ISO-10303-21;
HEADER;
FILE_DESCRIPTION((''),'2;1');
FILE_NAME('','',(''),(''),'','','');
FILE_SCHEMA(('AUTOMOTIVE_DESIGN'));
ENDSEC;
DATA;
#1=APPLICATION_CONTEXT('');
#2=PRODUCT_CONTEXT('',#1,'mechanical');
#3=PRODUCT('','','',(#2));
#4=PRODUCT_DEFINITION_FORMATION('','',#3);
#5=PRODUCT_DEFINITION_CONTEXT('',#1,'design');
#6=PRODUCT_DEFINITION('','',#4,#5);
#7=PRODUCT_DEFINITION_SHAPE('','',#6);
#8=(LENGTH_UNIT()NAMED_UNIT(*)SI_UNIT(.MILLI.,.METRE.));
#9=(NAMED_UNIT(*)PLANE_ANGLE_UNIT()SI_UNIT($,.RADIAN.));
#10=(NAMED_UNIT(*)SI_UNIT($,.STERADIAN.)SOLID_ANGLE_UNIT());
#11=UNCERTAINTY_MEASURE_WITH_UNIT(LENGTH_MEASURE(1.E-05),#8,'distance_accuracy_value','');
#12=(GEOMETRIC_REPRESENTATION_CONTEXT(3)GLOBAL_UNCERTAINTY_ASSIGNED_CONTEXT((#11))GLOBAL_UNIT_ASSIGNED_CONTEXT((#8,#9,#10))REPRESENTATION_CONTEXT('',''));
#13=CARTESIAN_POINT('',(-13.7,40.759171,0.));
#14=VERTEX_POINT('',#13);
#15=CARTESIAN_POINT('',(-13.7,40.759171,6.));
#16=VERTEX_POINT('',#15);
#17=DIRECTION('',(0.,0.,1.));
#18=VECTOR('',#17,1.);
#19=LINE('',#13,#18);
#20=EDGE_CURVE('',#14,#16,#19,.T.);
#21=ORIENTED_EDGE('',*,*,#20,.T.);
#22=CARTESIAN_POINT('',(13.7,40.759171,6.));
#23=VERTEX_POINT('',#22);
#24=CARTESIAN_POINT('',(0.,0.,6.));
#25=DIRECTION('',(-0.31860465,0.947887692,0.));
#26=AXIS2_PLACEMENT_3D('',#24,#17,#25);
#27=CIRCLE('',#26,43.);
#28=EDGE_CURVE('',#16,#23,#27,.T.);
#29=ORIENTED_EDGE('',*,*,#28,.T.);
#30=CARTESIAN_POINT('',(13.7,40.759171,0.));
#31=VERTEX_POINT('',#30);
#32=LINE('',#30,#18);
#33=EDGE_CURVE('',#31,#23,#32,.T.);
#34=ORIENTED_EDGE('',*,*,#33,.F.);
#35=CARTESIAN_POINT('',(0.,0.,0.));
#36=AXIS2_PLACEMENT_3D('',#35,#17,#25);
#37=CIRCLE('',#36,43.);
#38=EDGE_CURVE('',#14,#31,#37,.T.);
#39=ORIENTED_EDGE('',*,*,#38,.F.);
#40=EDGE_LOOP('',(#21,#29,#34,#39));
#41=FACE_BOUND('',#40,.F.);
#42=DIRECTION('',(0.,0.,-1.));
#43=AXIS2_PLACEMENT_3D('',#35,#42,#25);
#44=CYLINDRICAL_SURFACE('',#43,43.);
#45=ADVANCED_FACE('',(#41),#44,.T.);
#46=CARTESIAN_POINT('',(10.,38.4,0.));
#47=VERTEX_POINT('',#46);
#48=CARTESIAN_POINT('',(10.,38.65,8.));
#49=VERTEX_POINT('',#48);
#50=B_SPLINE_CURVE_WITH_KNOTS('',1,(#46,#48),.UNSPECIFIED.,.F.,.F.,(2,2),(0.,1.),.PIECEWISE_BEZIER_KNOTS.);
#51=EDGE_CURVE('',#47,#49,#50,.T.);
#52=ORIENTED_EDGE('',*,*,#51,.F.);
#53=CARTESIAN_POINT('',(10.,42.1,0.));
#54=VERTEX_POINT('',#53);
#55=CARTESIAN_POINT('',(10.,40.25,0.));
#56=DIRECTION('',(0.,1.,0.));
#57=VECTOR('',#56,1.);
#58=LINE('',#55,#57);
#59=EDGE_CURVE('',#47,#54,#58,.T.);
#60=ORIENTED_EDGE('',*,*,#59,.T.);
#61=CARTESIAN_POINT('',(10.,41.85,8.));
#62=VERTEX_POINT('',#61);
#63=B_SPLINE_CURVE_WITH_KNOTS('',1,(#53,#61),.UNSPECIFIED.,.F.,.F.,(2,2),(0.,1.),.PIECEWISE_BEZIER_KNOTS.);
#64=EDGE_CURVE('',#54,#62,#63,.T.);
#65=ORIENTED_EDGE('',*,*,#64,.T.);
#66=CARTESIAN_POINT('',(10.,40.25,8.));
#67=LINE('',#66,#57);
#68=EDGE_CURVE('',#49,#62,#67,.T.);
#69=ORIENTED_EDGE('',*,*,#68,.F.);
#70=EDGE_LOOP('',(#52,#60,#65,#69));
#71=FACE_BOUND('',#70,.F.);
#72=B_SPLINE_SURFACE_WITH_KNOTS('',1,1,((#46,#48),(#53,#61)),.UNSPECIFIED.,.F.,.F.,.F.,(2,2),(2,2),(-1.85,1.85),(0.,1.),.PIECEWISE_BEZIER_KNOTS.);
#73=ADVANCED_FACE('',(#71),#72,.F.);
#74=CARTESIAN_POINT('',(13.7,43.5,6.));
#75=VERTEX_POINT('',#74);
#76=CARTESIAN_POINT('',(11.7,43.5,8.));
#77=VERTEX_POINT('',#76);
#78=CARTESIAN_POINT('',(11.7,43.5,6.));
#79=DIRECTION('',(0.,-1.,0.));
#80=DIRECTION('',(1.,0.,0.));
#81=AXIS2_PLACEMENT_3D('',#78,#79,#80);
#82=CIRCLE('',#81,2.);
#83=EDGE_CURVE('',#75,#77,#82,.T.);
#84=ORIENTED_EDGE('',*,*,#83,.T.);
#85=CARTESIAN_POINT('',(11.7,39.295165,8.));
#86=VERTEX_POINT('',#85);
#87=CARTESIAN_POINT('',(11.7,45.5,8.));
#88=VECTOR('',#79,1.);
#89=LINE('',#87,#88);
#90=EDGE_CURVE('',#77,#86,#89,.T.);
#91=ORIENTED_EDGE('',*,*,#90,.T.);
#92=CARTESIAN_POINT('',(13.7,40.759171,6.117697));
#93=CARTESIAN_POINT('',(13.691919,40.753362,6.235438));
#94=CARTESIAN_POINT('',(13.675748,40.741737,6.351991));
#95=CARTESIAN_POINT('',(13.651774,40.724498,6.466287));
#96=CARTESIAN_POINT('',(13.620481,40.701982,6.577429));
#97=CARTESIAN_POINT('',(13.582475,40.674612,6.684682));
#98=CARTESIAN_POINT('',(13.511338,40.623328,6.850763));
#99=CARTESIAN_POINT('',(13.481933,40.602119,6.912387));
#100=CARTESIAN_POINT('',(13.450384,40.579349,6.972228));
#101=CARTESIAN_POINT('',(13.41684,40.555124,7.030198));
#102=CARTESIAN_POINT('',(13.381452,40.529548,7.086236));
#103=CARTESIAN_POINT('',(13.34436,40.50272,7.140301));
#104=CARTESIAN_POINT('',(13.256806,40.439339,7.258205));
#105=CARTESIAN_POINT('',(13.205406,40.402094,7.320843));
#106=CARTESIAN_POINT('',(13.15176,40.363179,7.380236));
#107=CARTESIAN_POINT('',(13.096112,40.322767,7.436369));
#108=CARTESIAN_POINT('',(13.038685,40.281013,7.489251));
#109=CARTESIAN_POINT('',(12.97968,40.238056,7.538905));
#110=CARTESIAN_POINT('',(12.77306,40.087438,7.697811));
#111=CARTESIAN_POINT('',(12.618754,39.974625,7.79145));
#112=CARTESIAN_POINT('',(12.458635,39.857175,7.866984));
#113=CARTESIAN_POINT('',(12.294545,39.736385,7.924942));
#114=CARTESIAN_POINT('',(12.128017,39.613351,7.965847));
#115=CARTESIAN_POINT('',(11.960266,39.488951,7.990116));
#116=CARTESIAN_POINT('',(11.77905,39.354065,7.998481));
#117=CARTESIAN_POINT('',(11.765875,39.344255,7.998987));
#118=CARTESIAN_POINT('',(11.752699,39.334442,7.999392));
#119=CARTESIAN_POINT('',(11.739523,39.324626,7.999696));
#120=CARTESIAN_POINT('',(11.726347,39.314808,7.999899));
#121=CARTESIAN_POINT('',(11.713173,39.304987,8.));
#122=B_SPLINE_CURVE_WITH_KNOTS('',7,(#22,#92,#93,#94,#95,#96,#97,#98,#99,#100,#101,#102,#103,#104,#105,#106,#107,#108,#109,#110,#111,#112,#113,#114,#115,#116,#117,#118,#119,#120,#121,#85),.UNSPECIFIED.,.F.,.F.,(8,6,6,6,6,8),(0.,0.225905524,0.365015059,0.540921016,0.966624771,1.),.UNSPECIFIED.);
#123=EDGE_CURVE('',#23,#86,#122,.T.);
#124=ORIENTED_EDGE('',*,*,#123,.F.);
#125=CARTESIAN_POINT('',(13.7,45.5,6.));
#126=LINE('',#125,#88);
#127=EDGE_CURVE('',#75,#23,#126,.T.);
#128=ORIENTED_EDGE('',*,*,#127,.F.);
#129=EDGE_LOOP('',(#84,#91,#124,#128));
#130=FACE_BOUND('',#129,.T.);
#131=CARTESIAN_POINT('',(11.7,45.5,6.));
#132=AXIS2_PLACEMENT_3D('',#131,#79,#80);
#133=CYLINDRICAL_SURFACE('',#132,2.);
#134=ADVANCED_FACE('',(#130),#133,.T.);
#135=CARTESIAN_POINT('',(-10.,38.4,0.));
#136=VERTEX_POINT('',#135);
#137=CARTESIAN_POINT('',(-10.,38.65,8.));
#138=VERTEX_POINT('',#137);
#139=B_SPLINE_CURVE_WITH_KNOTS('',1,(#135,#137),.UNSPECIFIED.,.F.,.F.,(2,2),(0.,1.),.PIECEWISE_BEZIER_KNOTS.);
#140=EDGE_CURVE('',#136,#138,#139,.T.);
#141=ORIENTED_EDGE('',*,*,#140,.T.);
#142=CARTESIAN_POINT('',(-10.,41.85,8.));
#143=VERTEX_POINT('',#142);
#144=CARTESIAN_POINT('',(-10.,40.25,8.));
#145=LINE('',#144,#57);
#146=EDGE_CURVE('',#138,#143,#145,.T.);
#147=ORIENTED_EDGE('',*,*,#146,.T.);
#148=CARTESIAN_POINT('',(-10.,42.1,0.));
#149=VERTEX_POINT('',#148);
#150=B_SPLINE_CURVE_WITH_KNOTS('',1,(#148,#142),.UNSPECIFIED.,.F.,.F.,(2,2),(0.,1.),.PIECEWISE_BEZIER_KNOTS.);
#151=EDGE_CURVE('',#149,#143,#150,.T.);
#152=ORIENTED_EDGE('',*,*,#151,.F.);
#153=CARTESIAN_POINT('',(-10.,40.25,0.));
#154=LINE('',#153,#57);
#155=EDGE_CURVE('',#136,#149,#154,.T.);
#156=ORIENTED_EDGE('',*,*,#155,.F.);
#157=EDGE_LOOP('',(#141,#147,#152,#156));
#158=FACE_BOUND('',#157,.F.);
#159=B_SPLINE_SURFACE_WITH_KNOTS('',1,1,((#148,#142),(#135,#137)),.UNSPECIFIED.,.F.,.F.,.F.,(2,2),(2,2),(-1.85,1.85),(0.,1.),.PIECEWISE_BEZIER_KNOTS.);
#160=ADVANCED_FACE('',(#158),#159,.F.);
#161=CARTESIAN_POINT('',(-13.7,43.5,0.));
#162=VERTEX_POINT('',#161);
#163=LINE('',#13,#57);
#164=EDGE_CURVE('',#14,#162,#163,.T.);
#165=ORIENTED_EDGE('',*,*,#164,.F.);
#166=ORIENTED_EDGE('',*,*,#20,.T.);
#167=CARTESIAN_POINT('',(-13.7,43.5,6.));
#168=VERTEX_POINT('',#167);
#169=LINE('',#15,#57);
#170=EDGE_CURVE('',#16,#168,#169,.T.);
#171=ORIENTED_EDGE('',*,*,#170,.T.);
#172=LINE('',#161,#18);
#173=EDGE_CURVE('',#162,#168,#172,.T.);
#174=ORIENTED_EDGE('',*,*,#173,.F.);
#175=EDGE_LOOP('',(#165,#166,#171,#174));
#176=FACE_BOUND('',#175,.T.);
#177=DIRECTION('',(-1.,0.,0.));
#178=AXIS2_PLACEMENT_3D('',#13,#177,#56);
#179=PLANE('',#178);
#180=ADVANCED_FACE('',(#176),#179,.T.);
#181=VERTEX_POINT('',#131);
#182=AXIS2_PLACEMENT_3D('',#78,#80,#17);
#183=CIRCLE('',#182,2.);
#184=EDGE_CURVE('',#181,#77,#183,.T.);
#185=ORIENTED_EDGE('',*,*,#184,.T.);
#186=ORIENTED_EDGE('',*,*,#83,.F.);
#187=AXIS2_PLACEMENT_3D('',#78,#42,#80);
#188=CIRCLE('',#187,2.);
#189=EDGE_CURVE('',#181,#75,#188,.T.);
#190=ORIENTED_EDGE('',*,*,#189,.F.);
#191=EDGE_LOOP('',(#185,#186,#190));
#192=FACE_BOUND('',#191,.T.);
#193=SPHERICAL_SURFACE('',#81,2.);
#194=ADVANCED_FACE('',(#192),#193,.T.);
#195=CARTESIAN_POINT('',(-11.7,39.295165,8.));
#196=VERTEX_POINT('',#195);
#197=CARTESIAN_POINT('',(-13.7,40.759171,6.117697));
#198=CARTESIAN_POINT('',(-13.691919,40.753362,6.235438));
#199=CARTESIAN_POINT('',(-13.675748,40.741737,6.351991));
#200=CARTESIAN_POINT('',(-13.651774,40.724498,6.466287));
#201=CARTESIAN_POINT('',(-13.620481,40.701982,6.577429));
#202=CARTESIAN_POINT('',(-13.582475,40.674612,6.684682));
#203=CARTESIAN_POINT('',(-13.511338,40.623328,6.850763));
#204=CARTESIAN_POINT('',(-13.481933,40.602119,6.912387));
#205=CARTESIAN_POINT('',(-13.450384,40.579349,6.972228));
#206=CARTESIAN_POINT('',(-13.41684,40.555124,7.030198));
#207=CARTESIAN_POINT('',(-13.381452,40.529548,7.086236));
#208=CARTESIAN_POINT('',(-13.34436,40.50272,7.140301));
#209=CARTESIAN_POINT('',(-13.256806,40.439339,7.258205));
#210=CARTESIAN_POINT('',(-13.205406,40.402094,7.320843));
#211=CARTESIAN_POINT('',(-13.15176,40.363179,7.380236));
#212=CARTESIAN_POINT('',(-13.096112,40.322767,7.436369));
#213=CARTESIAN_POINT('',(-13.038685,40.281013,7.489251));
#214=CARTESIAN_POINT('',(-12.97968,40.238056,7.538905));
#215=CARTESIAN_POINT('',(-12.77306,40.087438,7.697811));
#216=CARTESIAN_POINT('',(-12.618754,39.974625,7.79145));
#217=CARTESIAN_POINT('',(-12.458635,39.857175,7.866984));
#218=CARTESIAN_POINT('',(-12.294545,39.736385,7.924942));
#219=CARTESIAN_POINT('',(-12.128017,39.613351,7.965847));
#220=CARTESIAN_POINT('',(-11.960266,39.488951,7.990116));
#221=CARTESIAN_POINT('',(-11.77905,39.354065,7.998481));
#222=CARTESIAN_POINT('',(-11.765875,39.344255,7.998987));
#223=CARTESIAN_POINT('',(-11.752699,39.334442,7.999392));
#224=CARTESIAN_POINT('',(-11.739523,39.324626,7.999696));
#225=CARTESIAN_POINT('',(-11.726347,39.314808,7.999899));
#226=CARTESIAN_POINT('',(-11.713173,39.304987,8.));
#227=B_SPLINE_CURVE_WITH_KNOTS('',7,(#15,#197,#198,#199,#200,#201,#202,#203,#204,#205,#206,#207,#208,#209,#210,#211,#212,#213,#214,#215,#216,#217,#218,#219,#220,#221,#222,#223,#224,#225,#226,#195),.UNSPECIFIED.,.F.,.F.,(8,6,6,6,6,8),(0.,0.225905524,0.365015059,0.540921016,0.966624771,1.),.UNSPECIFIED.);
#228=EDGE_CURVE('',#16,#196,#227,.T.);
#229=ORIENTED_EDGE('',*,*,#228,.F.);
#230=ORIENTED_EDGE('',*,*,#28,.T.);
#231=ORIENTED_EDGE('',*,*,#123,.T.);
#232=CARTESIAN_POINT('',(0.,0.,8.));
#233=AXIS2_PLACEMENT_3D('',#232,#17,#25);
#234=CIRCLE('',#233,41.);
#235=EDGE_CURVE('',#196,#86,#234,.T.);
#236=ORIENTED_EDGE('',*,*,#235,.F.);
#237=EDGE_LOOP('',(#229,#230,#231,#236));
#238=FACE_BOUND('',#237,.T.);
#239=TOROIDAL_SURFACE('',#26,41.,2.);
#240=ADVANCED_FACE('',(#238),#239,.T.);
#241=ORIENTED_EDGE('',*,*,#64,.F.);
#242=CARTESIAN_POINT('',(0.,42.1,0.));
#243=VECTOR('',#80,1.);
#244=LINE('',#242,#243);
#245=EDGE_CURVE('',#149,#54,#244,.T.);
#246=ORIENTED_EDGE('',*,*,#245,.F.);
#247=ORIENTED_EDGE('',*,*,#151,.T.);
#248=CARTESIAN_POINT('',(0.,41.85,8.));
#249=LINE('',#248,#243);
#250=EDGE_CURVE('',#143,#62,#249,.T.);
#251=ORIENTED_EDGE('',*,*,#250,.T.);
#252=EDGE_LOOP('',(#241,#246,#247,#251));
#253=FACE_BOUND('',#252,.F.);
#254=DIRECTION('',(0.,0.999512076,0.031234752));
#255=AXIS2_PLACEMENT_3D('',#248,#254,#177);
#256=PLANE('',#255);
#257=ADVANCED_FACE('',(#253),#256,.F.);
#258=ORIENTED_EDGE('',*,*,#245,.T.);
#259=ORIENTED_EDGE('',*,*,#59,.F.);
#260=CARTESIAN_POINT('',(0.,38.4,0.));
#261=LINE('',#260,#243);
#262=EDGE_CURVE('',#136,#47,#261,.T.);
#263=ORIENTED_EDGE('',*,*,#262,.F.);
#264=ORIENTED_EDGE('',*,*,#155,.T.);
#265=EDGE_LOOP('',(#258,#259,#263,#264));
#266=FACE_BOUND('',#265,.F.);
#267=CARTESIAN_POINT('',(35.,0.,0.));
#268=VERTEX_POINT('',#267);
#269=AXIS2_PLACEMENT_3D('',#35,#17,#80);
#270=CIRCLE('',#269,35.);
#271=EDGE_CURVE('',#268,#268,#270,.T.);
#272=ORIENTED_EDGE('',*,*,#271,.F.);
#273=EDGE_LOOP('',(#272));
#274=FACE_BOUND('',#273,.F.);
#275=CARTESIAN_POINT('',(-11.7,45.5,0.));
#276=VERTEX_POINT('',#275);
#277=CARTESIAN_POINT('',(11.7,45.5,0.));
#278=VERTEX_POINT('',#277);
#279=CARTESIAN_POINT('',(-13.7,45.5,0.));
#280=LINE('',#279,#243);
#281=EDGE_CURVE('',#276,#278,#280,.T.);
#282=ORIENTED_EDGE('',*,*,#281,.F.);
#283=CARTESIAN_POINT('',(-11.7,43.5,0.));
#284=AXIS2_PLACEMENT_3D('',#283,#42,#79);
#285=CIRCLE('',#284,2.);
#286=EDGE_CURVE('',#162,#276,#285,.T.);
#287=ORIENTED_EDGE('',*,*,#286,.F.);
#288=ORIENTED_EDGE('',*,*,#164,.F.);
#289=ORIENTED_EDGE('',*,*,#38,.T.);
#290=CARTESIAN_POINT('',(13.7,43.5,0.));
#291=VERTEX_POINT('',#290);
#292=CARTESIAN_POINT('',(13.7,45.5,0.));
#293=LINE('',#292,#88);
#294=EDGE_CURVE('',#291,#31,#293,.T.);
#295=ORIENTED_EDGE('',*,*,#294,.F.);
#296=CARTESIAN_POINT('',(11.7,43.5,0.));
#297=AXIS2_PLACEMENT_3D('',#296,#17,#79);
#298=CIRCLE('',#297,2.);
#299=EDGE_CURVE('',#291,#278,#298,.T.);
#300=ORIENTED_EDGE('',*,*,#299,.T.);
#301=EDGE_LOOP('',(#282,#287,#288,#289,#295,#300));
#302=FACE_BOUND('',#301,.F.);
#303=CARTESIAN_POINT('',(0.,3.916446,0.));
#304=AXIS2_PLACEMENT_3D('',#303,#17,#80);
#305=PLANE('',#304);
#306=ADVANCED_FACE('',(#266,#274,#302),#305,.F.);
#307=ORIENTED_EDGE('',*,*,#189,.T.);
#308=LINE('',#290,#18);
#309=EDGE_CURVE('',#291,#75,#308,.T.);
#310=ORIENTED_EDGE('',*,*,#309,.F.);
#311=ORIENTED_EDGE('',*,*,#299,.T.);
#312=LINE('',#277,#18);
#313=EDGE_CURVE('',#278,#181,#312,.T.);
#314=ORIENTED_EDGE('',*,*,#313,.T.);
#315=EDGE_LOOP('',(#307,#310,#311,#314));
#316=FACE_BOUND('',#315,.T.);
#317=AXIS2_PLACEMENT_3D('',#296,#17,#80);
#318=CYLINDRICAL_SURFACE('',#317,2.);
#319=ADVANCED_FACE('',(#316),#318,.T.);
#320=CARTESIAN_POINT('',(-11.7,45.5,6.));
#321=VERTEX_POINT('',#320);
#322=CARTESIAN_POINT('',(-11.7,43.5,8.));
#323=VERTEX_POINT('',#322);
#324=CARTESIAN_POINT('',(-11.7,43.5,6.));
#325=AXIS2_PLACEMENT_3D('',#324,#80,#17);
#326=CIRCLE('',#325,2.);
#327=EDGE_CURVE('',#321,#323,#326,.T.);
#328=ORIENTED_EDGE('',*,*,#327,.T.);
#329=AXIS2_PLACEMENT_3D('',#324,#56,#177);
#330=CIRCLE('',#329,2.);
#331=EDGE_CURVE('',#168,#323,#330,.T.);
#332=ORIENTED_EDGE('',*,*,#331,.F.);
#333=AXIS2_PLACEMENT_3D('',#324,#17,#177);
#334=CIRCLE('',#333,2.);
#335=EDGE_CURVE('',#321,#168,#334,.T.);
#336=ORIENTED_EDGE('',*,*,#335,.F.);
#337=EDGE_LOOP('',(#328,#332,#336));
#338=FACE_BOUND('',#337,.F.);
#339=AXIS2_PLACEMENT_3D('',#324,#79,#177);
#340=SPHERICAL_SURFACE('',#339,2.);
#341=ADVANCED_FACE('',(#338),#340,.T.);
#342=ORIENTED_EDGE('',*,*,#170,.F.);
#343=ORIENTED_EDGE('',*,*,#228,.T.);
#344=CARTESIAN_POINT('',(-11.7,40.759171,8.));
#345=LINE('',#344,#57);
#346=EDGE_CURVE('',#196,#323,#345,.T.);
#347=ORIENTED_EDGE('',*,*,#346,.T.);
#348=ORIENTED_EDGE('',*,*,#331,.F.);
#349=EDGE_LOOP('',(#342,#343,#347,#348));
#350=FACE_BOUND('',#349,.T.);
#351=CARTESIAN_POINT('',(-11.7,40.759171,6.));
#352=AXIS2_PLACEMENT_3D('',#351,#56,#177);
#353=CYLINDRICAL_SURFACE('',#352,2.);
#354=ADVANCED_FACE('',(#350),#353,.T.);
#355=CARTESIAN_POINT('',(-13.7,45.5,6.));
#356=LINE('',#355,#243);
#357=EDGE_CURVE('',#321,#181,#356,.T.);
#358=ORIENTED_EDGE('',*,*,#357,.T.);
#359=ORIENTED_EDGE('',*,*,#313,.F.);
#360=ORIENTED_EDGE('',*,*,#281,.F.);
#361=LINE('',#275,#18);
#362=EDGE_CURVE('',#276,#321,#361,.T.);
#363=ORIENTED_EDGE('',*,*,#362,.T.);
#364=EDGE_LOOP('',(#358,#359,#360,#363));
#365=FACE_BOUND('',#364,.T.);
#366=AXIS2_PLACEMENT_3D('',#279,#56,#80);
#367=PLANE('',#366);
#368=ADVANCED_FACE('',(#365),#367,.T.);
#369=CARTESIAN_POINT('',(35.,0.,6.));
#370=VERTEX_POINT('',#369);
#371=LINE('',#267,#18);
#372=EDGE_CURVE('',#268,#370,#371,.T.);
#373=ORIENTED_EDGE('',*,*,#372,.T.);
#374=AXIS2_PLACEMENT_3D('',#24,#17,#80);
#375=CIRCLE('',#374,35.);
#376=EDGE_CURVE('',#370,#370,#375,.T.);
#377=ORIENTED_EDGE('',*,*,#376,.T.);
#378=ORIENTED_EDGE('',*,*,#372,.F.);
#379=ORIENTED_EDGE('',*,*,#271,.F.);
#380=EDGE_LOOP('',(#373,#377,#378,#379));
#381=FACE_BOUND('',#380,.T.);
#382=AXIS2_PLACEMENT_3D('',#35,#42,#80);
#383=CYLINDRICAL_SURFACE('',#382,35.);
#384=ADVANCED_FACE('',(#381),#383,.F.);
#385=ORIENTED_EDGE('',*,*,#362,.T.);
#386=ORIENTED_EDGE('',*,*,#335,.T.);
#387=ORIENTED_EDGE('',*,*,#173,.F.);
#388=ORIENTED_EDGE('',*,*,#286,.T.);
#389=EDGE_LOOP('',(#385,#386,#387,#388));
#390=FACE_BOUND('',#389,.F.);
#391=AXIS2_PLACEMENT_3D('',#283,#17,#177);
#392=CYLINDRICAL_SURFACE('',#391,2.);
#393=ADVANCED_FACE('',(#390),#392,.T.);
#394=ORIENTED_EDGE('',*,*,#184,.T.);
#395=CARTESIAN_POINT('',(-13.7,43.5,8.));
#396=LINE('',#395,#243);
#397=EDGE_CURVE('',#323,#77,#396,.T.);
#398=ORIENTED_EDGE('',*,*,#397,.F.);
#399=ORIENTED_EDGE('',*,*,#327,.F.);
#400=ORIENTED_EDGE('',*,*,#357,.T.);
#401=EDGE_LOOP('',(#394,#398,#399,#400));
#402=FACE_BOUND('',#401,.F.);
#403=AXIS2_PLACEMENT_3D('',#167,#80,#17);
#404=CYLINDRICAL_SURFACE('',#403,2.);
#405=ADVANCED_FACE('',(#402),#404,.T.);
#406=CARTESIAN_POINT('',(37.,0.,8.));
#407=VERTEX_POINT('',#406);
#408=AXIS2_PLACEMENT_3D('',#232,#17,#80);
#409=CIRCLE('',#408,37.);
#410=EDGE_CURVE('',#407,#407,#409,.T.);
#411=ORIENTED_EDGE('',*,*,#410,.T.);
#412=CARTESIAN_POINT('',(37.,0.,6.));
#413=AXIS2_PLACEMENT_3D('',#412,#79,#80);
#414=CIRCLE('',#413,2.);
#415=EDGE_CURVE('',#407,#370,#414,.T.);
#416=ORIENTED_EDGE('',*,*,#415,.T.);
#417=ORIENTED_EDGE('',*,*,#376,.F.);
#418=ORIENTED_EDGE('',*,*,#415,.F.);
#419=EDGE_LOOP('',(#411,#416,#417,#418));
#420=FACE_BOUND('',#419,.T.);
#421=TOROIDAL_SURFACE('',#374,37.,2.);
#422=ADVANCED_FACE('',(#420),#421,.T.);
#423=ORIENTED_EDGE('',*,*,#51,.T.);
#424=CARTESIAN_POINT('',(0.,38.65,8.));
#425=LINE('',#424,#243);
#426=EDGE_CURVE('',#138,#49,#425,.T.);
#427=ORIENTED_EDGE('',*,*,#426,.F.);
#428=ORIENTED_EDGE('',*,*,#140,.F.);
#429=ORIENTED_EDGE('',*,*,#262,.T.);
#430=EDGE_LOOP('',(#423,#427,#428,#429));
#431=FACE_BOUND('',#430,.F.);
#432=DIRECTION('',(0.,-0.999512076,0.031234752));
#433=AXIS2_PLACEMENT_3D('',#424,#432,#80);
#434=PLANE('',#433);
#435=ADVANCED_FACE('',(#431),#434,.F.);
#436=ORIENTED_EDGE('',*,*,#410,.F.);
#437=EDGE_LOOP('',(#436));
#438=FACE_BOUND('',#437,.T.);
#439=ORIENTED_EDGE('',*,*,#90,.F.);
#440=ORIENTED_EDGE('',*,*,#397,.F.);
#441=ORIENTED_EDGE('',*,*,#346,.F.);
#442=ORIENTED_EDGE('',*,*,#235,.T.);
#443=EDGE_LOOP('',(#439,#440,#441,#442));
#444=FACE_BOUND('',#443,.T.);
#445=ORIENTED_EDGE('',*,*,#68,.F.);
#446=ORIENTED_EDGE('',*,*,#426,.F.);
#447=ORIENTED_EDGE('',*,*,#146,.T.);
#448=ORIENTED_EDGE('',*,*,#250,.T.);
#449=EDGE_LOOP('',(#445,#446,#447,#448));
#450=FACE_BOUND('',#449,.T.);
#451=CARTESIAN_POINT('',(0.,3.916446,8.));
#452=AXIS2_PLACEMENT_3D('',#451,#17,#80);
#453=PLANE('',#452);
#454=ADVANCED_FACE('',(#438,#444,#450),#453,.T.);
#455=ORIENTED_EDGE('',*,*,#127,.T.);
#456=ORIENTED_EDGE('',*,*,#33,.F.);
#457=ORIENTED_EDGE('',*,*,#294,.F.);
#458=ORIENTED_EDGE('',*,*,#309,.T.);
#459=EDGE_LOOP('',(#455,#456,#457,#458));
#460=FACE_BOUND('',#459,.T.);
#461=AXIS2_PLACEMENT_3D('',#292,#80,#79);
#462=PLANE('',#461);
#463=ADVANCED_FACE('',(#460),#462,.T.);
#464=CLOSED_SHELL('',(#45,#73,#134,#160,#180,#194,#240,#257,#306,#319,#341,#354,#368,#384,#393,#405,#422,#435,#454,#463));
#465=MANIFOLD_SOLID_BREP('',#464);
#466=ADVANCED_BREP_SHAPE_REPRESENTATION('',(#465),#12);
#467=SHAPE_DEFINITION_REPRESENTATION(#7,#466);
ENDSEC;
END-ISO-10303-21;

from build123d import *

# Parameters (mm, degrees)
SKETCH_R    = 35
PAD_DEPTH   = 8
SKETCH001_W = 20
SKETCH001_H = 3.7
SKETCH002_W = 20
SKETCH002_H = 3.2
FILLET_R    = 2


with BuildPart() as part:
    # Sketch → Pad (new body)
    with BuildSketch(Plane.XY):
        with BuildLine():
            ThreePointArc((-13.7, 40.759171), (0, -43), (13.7, 40.759171))
            Line((13.7, 45.5), (13.7, 40.759171))
            Line((-13.7, 45.5), (13.7, 45.5))
            Line((-13.7, 40.759171), (-13.7, 45.5))
        make_face()
        Circle(SKETCH_R, mode=Mode.SUBTRACT)
    extrude(amount=PAD_DEPTH)

    # Sketch001 → SubtractiveLoft section 0
    with BuildSketch(Plane.XY):
        with Locations((0, 40.25)):
            Rectangle(SKETCH001_W, SKETCH001_H)
    # Sketch002 (on Face7 of Pad) → SubtractiveLoft section 1
    with BuildSketch(Plane.XY.offset(8)):
        with Locations((0, 40.25)):
            Rectangle(SKETCH002_W, SKETCH002_H)
    loft(mode=Mode.SUBTRACT)

    # Fillet
    fillet_edges = [part.edges().sort_by_distance(p)[0] for p in [
        (-35, 0, 8),
        (0, -43, 8),
        (-13.7, 43.129585, 8),
        (13.7, 43.129585, 8),
        (-13.7, 45.5, 4),
        (13.7, 45.5, 4),
        (0, 45.5, 8),
    ]]
    fillet(fillet_edges, radius=FILLET_R)


solid = part.part
